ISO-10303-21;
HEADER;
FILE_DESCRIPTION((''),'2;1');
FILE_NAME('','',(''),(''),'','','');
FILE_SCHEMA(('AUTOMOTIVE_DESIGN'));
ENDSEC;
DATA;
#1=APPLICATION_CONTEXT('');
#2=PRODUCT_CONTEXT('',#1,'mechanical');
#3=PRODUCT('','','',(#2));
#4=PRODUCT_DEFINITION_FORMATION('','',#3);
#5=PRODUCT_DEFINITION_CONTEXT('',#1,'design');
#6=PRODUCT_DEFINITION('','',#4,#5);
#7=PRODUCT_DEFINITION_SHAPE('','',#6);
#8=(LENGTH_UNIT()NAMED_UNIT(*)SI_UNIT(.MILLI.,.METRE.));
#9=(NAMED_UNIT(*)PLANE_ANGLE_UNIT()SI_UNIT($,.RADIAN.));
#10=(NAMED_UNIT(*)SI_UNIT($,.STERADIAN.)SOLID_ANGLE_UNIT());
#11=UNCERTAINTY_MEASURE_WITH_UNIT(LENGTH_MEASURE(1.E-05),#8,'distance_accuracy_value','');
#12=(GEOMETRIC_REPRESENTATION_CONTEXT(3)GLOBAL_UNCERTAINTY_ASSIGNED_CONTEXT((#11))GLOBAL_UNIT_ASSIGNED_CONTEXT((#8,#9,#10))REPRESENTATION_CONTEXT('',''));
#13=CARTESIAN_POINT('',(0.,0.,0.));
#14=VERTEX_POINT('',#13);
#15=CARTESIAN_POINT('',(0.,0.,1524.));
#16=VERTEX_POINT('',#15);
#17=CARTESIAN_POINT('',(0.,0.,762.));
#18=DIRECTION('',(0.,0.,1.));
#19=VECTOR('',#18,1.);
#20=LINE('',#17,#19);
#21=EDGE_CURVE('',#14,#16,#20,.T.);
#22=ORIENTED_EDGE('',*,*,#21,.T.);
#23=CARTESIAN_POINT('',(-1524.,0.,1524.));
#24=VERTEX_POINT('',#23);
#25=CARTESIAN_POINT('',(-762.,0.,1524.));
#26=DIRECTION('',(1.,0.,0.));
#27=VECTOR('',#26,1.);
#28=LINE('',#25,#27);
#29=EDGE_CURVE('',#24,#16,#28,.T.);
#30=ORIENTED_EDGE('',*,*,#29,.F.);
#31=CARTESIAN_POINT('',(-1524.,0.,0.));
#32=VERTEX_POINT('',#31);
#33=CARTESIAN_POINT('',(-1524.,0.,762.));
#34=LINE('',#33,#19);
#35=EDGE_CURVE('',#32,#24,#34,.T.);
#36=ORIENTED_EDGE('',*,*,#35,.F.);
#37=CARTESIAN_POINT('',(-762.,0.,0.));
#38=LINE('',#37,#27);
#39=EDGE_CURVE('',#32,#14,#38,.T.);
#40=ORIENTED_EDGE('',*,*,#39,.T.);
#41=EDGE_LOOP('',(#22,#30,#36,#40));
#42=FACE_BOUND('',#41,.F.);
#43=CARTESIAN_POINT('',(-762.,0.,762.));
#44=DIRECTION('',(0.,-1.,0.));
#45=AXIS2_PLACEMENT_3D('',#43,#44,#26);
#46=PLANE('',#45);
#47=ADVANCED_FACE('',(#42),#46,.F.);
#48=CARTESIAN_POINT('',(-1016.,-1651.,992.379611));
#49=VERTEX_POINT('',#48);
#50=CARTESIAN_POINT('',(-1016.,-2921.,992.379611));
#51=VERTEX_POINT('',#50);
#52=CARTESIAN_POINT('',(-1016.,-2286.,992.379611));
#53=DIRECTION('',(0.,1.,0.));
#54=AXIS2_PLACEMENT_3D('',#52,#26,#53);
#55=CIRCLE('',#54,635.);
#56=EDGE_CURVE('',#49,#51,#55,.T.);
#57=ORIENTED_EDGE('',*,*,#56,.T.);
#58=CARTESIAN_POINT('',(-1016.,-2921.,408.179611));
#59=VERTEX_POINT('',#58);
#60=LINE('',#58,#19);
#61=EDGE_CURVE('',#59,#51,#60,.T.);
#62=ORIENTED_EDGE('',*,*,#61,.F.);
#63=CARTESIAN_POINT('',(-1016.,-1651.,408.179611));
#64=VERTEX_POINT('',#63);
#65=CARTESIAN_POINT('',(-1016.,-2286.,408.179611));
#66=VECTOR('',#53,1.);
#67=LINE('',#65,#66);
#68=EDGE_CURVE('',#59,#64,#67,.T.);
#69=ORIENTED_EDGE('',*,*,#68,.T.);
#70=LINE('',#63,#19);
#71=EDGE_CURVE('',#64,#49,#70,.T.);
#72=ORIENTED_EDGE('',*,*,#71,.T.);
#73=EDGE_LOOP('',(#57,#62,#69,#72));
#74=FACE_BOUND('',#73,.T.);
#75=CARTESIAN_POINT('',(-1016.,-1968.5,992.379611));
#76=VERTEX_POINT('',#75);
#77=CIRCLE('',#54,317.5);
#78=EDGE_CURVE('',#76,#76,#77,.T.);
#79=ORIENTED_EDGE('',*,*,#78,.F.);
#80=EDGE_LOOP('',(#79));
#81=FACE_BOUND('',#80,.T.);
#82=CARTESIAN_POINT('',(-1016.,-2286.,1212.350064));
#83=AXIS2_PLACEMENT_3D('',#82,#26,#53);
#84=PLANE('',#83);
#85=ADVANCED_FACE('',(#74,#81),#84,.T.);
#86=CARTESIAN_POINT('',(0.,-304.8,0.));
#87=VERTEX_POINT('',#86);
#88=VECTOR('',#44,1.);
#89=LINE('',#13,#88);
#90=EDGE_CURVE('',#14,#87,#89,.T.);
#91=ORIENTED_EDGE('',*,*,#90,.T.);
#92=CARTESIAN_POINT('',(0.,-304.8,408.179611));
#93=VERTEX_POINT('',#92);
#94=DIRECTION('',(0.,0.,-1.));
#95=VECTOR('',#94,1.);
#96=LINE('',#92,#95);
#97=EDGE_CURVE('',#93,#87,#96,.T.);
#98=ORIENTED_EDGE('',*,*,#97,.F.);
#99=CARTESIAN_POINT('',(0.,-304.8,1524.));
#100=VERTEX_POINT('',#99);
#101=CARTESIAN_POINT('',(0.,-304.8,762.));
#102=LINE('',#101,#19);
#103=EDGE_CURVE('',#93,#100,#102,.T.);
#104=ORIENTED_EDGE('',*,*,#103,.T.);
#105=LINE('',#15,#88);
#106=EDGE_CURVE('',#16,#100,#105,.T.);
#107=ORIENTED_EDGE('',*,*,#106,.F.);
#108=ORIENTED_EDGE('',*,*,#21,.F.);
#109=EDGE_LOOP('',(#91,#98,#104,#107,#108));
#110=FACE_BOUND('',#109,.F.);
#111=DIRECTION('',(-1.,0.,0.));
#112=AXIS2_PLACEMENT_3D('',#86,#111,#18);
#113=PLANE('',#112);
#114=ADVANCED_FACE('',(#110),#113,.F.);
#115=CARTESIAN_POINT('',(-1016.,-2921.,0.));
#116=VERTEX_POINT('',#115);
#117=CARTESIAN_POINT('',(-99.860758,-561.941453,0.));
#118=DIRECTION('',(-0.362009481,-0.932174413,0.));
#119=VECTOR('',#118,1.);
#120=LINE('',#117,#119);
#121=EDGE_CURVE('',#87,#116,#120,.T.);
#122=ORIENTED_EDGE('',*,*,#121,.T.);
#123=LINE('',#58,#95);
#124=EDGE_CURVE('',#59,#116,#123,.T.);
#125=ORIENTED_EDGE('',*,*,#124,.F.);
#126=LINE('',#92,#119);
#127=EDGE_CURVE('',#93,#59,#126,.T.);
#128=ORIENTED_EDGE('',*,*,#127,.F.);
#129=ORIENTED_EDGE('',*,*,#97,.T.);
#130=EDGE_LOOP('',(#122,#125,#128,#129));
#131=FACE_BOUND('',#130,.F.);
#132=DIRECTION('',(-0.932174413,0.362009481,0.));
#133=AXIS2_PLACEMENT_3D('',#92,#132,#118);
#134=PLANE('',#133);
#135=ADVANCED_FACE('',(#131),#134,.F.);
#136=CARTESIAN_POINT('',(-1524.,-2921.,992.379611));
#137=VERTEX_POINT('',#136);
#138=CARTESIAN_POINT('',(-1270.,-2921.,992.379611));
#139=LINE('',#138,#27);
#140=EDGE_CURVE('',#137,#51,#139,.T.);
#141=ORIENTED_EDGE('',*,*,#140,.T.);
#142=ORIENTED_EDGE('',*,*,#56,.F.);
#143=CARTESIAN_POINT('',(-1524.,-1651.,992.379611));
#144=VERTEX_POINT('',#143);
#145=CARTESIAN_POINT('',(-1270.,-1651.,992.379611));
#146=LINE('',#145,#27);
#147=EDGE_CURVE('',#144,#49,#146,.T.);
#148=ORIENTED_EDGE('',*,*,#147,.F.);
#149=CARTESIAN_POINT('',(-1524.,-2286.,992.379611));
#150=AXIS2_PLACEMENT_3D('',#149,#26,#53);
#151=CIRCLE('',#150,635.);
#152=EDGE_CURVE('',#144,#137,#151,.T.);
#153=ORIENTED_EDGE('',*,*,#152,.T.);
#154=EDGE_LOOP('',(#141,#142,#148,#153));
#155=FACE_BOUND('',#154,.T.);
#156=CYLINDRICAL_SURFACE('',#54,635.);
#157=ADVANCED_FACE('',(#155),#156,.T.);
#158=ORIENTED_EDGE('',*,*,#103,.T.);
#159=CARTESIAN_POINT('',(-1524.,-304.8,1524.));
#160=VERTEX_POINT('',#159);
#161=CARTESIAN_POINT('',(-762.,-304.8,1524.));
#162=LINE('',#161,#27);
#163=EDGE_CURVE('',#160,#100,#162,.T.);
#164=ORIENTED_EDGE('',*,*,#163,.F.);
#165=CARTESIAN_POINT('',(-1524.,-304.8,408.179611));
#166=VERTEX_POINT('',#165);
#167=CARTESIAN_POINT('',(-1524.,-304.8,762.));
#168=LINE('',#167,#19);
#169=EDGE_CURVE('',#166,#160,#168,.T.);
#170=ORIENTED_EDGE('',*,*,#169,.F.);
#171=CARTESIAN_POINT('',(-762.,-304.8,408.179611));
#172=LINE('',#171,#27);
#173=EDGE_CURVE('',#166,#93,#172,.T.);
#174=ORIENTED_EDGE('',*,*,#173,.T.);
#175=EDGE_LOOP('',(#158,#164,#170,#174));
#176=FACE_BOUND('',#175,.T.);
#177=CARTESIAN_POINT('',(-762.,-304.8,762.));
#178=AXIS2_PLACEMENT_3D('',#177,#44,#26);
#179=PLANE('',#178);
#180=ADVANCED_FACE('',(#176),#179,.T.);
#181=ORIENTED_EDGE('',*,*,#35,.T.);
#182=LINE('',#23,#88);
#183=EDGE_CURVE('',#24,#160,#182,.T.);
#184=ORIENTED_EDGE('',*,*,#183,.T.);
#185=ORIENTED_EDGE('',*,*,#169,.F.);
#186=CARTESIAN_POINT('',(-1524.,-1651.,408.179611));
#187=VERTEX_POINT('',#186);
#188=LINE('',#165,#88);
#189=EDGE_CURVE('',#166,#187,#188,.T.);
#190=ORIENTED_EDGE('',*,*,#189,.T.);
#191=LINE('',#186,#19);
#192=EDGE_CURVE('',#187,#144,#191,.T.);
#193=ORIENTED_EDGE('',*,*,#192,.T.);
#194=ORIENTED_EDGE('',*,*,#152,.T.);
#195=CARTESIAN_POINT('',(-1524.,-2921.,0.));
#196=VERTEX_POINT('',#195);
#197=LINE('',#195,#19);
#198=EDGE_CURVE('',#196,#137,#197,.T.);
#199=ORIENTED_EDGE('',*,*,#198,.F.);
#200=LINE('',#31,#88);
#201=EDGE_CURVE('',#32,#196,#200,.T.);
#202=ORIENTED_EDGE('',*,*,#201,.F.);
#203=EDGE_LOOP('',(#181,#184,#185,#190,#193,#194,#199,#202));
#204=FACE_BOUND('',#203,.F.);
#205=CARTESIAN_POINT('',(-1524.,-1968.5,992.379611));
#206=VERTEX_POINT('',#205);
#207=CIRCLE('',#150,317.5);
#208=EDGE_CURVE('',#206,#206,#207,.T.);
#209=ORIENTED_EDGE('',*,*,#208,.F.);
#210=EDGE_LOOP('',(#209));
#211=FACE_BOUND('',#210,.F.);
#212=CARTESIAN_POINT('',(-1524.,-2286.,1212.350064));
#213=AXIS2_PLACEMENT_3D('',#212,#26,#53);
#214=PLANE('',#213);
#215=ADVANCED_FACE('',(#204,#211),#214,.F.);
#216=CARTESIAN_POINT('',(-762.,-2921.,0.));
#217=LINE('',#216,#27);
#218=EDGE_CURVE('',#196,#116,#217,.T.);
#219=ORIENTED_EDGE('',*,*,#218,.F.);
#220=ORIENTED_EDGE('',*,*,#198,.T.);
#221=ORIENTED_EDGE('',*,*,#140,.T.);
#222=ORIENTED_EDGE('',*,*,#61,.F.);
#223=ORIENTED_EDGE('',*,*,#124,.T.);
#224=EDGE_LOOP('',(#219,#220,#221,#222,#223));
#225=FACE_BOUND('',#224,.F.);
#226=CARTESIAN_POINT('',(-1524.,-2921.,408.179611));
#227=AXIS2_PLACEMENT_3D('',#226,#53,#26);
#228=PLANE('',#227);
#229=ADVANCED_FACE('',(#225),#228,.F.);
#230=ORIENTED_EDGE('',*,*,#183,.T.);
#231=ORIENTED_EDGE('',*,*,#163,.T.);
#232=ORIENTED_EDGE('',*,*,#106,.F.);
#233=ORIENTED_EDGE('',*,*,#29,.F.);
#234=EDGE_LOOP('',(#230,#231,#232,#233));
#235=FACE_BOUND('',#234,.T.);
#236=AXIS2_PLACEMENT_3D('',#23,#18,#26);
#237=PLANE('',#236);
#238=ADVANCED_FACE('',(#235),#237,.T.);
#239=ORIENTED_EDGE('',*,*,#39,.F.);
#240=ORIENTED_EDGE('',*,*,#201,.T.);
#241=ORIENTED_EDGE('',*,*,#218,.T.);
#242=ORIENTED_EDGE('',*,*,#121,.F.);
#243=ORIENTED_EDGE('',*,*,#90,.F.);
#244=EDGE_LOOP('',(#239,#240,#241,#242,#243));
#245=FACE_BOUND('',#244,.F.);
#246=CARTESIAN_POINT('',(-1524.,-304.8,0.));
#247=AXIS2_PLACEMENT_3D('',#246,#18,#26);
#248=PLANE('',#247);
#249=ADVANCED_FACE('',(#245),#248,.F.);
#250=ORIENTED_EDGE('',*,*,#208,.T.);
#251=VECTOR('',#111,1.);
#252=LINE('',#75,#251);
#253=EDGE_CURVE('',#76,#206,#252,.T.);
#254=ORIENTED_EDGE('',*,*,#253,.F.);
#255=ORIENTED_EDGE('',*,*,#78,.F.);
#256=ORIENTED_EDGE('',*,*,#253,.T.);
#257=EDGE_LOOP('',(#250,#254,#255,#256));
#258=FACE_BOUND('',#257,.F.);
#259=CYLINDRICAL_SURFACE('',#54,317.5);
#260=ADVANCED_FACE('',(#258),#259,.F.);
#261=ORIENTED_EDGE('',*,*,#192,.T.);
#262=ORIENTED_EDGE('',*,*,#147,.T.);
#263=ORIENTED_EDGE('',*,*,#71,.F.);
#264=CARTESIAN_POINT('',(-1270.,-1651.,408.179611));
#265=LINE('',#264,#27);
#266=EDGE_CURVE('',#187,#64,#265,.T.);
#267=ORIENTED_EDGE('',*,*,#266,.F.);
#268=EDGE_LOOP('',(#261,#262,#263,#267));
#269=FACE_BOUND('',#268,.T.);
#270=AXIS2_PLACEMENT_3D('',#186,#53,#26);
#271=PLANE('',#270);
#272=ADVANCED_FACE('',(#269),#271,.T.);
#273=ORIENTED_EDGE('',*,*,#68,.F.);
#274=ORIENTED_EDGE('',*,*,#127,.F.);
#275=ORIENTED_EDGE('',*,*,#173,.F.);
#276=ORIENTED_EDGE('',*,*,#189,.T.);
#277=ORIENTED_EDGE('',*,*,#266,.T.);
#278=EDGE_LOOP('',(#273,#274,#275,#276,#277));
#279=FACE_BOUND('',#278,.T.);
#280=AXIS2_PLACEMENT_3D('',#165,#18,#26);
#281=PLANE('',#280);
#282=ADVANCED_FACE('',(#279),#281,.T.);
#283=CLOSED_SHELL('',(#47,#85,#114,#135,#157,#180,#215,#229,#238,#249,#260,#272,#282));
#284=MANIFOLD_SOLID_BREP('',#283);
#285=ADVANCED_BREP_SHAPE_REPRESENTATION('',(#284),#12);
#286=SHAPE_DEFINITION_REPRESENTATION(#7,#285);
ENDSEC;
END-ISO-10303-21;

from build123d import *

# Parameters (mm, degrees)
F0_W      = 1524
F0_H      = 1524
F1_DEPTH  = 304.8
F2_W      = 1524
F2_H      = 408.1796109676
F3_DEPTH  = 2616.2
F4_W      = 508
F4_H      = 1270
F5_DEPTH  = 584.2
F7_DEPTH  = 508
F8_R      = 317.5
F9_DEPTH  = 508
F11_DEPTH = 579.12


with BuildPart() as f1:
    # F0 (on Front) → F1 (new body)
    with BuildSketch(Plane.XZ):
        with Locations((-762, 762)):
            Rectangle(F0_W, F0_H)
    extrude(amount=F1_DEPTH)

    # F2 (on face) → F3 (join)
    with BuildSketch(Plane.XZ.offset(304.8)):
        with Locations((-762, 204.0898054838)):
            Rectangle(F2_W, F2_H)
    extrude(amount=F3_DEPTH)

    # F4 (on face) → F5 (join)
    with BuildSketch(Plane.XY.offset(408.1796109676)):
        with Locations((-1270, -2286)):
            Rectangle(F4_W, F4_H)
    extrude(amount=F5_DEPTH)

    # F6 (on face) → F7 (join)
    with BuildSketch(Plane.YZ.offset(-1016)):
        with BuildLine():
            Line((-2921, 992.3796109676), (-1651, 992.3796109676))
            ThreePointArc((-1651, 992.3796109676), (-2286, 1627.3796109676), (-2921, 992.3796109676))
        make_face()
    extrude(amount=-F7_DEPTH)

    # F8 (on face) → F9 (cut)
    with BuildSketch(Plane.YZ.offset(-1016)):
        with Locations((-2286, 992.3796109676)):
            Circle(F8_R)
    extrude(amount=-F9_DEPTH, mode=Mode.SUBTRACT)

    # F10 (on face) → F11 (cut)
    with BuildSketch(Plane.XY.offset(408.1796109676)):
        Polygon((0, -304.8), (-1016, -2921), (0, -2921), align=None)
    extrude(amount=-F11_DEPTH, mode=Mode.SUBTRACT)


solid = f1.part
